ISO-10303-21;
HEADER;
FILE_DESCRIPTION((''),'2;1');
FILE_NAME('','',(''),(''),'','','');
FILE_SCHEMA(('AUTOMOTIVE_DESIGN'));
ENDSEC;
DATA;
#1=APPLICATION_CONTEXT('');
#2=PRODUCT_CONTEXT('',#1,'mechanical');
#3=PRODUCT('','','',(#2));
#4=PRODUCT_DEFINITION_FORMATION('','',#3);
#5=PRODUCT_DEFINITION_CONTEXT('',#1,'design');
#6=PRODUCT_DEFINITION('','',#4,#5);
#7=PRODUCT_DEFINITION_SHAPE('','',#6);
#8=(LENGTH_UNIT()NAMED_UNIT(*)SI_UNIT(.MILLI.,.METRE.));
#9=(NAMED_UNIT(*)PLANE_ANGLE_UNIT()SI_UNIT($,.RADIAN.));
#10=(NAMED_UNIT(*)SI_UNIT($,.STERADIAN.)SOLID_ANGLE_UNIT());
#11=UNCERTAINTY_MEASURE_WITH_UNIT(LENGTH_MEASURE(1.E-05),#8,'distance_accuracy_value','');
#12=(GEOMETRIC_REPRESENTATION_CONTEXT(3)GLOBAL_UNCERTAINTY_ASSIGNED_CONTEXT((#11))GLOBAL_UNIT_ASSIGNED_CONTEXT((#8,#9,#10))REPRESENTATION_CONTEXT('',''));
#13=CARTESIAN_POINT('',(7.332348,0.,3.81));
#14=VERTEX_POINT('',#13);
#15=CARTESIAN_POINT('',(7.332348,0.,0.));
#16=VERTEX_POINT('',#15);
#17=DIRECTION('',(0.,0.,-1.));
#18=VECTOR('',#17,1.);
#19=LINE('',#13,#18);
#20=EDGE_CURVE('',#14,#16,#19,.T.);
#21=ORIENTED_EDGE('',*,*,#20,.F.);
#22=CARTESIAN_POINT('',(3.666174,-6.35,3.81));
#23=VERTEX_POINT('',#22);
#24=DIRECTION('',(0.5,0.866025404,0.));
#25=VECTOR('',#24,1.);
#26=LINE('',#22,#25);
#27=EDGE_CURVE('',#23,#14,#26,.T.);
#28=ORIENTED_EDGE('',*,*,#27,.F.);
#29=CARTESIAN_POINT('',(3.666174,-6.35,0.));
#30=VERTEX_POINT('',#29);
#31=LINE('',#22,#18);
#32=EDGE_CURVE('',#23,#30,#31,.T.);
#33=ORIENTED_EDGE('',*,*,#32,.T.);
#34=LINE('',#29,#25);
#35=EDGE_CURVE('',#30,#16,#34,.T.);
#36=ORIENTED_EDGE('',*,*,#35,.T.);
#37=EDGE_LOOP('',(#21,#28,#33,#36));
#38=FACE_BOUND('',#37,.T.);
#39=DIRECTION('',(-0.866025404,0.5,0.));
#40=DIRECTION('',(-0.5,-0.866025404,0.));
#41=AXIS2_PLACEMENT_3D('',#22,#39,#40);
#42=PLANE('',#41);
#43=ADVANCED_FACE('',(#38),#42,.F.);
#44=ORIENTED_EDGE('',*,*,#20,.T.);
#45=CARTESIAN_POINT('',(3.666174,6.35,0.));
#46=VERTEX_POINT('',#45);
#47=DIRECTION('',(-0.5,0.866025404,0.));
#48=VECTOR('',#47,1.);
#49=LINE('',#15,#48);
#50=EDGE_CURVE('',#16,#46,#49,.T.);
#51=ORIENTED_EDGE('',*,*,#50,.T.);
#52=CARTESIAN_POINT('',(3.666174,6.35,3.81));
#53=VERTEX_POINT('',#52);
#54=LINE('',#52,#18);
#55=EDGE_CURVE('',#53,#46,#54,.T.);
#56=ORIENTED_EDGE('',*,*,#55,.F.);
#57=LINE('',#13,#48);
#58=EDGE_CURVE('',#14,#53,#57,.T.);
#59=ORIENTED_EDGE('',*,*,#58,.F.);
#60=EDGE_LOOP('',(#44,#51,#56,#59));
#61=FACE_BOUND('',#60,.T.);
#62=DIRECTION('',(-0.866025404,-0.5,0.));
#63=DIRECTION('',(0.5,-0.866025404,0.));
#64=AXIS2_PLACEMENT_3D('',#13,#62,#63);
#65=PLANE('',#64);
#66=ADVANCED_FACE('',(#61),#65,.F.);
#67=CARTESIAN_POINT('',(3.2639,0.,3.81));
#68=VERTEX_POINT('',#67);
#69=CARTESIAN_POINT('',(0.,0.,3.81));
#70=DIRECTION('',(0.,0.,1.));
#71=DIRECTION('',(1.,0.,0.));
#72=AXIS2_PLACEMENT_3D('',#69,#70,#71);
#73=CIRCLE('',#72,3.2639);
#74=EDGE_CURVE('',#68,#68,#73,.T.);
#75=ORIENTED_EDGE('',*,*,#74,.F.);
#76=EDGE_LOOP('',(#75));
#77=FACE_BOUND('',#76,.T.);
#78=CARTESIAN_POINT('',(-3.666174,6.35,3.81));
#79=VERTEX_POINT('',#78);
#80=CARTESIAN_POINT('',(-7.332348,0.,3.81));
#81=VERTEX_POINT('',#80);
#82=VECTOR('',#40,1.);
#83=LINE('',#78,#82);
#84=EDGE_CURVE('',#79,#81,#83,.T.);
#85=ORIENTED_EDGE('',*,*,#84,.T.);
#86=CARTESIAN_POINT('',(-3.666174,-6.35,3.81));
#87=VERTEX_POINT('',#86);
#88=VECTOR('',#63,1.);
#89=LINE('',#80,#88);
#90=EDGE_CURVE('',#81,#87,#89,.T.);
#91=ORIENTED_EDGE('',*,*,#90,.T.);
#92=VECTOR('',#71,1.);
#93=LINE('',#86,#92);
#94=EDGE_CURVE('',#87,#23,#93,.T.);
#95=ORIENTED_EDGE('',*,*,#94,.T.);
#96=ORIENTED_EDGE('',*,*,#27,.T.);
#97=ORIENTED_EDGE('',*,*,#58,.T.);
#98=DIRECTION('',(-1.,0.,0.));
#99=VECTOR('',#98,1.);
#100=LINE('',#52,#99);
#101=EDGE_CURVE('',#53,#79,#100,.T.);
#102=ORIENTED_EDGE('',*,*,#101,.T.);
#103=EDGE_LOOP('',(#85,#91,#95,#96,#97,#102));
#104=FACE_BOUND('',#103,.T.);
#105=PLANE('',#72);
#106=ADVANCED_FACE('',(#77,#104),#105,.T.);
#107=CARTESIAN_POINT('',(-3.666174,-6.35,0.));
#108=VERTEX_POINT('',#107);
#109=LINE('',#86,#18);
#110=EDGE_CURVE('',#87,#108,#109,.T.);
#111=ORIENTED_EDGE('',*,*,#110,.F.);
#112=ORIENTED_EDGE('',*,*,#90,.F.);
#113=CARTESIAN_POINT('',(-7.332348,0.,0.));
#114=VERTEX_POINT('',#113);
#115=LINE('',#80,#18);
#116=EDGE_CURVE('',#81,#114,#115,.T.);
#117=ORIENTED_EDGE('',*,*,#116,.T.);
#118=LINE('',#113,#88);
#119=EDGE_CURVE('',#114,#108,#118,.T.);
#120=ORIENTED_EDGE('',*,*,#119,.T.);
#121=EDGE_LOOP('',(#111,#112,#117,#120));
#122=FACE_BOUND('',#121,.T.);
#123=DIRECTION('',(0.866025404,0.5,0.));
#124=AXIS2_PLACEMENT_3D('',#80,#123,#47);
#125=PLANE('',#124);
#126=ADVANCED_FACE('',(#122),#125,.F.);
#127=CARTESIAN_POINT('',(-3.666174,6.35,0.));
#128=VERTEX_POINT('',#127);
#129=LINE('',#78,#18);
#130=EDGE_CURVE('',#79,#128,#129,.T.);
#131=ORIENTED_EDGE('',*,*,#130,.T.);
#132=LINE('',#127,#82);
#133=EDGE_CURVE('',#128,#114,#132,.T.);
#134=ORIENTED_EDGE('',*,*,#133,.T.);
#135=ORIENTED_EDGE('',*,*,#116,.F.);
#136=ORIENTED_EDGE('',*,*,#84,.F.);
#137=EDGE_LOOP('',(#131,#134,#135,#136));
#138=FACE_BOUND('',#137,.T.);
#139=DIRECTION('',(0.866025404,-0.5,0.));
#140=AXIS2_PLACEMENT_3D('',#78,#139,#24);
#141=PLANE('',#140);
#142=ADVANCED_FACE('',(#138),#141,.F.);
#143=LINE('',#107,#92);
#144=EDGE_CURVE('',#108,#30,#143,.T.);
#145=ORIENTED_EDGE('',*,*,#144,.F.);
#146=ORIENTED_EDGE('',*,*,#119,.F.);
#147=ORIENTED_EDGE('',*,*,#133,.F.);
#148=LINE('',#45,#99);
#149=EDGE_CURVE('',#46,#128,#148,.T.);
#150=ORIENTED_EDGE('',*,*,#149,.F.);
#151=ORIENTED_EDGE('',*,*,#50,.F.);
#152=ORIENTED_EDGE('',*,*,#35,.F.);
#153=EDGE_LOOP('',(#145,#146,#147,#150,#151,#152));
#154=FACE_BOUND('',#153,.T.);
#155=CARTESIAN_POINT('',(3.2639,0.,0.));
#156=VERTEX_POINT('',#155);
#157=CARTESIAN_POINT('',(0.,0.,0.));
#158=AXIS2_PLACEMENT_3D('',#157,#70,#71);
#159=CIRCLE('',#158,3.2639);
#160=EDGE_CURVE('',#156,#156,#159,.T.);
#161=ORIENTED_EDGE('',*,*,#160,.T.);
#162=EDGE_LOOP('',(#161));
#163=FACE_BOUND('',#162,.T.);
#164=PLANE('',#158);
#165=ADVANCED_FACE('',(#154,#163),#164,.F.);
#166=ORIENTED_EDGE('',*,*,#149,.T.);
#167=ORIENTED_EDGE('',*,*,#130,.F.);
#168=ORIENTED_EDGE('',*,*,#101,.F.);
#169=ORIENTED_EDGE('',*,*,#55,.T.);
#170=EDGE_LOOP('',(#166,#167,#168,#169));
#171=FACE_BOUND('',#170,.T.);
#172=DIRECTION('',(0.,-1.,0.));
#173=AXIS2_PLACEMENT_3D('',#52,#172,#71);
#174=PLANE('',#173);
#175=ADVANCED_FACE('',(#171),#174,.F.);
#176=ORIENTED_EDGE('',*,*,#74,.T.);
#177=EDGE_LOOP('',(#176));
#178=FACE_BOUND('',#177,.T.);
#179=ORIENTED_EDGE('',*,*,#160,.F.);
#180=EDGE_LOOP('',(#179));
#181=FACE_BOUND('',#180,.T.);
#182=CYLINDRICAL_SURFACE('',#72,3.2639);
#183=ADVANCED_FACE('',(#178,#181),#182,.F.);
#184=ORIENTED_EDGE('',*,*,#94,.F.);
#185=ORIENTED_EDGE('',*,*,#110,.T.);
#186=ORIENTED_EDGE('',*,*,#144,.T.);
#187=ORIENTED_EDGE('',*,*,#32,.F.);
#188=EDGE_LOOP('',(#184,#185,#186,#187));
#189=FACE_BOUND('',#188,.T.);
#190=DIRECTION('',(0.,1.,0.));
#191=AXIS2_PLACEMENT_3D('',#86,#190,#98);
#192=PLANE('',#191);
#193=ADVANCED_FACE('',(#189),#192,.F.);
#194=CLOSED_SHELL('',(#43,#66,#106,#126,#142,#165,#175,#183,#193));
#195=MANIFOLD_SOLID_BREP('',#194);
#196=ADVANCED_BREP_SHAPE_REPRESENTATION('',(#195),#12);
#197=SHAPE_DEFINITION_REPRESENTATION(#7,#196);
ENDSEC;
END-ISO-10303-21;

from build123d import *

# Parameters (mm, degrees)
BOSS_EXTRUDE1_DEPTH              = 3.81
TAP_DRILL_FOR_5_16_18_TAP1_D     = 6.5278
TAP_DRILL_FOR_5_16_18_TAP1_DEPTH = 25.4
TAP_DRILL_FOR_5_16_18_TAP1_TIP   = 1.961148974


with BuildPart() as part:
    # Sketch1 → Boss-Extrude1 (new body)
    with BuildSketch(Plane(origin=(0, 0, 0), x_dir=(0, 1, 0), z_dir=(0, 0, 1))):
        Polygon((0, -7.332348419), (6.35, -3.666174209), (6.35, 3.666174209), (0, 7.332348419), (-6.35, 3.666174209), (-6.35, -3.666174209), align=None)
    extrude(amount=BOSS_EXTRUDE1_DEPTH)

    # Tap Drill for 5/16-18 Tap1
    with Locations(Plane.XY.offset(3.81)):
        with Locations((0, 0)):
            Hole(TAP_DRILL_FOR_5_16_18_TAP1_D / 2, depth=TAP_DRILL_FOR_5_16_18_TAP1_DEPTH)
            with Locations((0, 0, -(TAP_DRILL_FOR_5_16_18_TAP1_DEPTH + TAP_DRILL_FOR_5_16_18_TAP1_TIP / 2))):  # 118° drill point
                Cone(0, TAP_DRILL_FOR_5_16_18_TAP1_D / 2, TAP_DRILL_FOR_5_16_18_TAP1_TIP, mode=Mode.SUBTRACT)


solid = part.part
